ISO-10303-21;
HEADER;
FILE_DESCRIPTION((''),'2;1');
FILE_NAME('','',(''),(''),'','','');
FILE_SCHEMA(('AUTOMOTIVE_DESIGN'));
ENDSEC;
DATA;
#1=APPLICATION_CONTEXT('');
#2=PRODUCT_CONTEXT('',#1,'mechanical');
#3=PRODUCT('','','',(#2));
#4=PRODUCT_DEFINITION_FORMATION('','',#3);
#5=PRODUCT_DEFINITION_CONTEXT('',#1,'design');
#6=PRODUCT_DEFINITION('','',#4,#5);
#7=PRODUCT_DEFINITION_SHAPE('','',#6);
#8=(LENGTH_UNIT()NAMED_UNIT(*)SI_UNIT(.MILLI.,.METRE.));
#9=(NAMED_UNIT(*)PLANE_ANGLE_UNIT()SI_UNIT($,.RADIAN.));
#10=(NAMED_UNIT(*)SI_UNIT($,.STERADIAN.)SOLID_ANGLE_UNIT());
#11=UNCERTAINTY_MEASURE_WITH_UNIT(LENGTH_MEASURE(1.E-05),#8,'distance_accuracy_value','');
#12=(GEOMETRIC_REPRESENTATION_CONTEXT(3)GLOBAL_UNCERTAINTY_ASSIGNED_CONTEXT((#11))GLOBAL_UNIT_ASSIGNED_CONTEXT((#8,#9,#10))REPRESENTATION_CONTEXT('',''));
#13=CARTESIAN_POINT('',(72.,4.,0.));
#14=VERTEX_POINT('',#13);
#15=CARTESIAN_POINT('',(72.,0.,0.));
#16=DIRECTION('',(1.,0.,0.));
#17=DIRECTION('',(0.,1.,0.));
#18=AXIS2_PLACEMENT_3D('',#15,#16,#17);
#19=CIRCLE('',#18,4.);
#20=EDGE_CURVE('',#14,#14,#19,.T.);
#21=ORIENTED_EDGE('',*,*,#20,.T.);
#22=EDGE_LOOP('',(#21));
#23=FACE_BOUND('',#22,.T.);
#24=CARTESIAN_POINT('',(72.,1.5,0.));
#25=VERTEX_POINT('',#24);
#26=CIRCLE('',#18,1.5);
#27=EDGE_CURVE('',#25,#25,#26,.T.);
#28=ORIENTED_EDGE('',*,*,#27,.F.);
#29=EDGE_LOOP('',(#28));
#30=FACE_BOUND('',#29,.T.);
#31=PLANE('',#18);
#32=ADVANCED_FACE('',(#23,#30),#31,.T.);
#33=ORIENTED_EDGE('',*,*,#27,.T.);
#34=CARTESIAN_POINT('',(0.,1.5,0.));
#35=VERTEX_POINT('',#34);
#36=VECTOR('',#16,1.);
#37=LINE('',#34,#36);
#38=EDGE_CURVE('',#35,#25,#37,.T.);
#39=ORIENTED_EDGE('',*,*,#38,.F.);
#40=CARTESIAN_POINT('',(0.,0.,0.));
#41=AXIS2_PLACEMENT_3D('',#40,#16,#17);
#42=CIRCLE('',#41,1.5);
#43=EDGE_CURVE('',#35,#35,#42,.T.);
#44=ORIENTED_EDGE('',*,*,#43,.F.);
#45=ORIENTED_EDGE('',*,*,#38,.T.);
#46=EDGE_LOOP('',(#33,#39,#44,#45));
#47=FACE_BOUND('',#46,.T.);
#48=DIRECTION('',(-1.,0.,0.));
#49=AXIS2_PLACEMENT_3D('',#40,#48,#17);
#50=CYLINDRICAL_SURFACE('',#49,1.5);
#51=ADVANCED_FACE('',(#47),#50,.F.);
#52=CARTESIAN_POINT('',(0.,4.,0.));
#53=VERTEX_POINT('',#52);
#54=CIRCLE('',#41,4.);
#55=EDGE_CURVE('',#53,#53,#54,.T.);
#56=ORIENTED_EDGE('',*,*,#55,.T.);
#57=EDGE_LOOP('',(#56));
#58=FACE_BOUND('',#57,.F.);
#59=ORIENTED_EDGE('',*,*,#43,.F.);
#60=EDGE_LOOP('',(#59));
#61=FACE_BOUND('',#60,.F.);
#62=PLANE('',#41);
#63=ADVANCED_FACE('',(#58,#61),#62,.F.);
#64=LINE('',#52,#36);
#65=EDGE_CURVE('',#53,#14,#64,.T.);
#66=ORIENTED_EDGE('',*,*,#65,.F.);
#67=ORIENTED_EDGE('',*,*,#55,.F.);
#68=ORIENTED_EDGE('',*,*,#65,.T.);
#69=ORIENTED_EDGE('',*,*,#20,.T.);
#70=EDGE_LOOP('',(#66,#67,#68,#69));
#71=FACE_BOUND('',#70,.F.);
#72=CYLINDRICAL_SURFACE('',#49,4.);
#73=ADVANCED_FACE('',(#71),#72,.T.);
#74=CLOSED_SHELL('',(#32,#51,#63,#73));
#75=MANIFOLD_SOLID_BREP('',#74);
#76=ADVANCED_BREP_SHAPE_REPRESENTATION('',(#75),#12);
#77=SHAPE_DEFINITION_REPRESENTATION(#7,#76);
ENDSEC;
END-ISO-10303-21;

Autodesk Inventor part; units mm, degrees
ref_plane "YZ Plane" through (0, 0, 0) normal (1, 0, 0) x (0, 1, 0)
ref_plane "XZ Plane" through (0, 0, 0) normal (0, 1, 0) x (-1, 0, 0)
ref_plane "XY Plane" through (0, 0, 0) normal (0, 0, 1) x (1, 0, 0)
sketch "スケッチ1" plane through (0, 0, 0) normal (1, 0, 0) x (0, 1, 0)
  circle A0 centre (0, 0) radius 4
  circle A1 centre (0, 0) radius 1.5
  dimension "d0" = 8
  dimension "d1" = 3
extrude "押し出し1" add sketch "スケッチ1" along normal blind 72
properties part number "hand-grab-v5-shaft-3" material "アルミニウム 6061"
